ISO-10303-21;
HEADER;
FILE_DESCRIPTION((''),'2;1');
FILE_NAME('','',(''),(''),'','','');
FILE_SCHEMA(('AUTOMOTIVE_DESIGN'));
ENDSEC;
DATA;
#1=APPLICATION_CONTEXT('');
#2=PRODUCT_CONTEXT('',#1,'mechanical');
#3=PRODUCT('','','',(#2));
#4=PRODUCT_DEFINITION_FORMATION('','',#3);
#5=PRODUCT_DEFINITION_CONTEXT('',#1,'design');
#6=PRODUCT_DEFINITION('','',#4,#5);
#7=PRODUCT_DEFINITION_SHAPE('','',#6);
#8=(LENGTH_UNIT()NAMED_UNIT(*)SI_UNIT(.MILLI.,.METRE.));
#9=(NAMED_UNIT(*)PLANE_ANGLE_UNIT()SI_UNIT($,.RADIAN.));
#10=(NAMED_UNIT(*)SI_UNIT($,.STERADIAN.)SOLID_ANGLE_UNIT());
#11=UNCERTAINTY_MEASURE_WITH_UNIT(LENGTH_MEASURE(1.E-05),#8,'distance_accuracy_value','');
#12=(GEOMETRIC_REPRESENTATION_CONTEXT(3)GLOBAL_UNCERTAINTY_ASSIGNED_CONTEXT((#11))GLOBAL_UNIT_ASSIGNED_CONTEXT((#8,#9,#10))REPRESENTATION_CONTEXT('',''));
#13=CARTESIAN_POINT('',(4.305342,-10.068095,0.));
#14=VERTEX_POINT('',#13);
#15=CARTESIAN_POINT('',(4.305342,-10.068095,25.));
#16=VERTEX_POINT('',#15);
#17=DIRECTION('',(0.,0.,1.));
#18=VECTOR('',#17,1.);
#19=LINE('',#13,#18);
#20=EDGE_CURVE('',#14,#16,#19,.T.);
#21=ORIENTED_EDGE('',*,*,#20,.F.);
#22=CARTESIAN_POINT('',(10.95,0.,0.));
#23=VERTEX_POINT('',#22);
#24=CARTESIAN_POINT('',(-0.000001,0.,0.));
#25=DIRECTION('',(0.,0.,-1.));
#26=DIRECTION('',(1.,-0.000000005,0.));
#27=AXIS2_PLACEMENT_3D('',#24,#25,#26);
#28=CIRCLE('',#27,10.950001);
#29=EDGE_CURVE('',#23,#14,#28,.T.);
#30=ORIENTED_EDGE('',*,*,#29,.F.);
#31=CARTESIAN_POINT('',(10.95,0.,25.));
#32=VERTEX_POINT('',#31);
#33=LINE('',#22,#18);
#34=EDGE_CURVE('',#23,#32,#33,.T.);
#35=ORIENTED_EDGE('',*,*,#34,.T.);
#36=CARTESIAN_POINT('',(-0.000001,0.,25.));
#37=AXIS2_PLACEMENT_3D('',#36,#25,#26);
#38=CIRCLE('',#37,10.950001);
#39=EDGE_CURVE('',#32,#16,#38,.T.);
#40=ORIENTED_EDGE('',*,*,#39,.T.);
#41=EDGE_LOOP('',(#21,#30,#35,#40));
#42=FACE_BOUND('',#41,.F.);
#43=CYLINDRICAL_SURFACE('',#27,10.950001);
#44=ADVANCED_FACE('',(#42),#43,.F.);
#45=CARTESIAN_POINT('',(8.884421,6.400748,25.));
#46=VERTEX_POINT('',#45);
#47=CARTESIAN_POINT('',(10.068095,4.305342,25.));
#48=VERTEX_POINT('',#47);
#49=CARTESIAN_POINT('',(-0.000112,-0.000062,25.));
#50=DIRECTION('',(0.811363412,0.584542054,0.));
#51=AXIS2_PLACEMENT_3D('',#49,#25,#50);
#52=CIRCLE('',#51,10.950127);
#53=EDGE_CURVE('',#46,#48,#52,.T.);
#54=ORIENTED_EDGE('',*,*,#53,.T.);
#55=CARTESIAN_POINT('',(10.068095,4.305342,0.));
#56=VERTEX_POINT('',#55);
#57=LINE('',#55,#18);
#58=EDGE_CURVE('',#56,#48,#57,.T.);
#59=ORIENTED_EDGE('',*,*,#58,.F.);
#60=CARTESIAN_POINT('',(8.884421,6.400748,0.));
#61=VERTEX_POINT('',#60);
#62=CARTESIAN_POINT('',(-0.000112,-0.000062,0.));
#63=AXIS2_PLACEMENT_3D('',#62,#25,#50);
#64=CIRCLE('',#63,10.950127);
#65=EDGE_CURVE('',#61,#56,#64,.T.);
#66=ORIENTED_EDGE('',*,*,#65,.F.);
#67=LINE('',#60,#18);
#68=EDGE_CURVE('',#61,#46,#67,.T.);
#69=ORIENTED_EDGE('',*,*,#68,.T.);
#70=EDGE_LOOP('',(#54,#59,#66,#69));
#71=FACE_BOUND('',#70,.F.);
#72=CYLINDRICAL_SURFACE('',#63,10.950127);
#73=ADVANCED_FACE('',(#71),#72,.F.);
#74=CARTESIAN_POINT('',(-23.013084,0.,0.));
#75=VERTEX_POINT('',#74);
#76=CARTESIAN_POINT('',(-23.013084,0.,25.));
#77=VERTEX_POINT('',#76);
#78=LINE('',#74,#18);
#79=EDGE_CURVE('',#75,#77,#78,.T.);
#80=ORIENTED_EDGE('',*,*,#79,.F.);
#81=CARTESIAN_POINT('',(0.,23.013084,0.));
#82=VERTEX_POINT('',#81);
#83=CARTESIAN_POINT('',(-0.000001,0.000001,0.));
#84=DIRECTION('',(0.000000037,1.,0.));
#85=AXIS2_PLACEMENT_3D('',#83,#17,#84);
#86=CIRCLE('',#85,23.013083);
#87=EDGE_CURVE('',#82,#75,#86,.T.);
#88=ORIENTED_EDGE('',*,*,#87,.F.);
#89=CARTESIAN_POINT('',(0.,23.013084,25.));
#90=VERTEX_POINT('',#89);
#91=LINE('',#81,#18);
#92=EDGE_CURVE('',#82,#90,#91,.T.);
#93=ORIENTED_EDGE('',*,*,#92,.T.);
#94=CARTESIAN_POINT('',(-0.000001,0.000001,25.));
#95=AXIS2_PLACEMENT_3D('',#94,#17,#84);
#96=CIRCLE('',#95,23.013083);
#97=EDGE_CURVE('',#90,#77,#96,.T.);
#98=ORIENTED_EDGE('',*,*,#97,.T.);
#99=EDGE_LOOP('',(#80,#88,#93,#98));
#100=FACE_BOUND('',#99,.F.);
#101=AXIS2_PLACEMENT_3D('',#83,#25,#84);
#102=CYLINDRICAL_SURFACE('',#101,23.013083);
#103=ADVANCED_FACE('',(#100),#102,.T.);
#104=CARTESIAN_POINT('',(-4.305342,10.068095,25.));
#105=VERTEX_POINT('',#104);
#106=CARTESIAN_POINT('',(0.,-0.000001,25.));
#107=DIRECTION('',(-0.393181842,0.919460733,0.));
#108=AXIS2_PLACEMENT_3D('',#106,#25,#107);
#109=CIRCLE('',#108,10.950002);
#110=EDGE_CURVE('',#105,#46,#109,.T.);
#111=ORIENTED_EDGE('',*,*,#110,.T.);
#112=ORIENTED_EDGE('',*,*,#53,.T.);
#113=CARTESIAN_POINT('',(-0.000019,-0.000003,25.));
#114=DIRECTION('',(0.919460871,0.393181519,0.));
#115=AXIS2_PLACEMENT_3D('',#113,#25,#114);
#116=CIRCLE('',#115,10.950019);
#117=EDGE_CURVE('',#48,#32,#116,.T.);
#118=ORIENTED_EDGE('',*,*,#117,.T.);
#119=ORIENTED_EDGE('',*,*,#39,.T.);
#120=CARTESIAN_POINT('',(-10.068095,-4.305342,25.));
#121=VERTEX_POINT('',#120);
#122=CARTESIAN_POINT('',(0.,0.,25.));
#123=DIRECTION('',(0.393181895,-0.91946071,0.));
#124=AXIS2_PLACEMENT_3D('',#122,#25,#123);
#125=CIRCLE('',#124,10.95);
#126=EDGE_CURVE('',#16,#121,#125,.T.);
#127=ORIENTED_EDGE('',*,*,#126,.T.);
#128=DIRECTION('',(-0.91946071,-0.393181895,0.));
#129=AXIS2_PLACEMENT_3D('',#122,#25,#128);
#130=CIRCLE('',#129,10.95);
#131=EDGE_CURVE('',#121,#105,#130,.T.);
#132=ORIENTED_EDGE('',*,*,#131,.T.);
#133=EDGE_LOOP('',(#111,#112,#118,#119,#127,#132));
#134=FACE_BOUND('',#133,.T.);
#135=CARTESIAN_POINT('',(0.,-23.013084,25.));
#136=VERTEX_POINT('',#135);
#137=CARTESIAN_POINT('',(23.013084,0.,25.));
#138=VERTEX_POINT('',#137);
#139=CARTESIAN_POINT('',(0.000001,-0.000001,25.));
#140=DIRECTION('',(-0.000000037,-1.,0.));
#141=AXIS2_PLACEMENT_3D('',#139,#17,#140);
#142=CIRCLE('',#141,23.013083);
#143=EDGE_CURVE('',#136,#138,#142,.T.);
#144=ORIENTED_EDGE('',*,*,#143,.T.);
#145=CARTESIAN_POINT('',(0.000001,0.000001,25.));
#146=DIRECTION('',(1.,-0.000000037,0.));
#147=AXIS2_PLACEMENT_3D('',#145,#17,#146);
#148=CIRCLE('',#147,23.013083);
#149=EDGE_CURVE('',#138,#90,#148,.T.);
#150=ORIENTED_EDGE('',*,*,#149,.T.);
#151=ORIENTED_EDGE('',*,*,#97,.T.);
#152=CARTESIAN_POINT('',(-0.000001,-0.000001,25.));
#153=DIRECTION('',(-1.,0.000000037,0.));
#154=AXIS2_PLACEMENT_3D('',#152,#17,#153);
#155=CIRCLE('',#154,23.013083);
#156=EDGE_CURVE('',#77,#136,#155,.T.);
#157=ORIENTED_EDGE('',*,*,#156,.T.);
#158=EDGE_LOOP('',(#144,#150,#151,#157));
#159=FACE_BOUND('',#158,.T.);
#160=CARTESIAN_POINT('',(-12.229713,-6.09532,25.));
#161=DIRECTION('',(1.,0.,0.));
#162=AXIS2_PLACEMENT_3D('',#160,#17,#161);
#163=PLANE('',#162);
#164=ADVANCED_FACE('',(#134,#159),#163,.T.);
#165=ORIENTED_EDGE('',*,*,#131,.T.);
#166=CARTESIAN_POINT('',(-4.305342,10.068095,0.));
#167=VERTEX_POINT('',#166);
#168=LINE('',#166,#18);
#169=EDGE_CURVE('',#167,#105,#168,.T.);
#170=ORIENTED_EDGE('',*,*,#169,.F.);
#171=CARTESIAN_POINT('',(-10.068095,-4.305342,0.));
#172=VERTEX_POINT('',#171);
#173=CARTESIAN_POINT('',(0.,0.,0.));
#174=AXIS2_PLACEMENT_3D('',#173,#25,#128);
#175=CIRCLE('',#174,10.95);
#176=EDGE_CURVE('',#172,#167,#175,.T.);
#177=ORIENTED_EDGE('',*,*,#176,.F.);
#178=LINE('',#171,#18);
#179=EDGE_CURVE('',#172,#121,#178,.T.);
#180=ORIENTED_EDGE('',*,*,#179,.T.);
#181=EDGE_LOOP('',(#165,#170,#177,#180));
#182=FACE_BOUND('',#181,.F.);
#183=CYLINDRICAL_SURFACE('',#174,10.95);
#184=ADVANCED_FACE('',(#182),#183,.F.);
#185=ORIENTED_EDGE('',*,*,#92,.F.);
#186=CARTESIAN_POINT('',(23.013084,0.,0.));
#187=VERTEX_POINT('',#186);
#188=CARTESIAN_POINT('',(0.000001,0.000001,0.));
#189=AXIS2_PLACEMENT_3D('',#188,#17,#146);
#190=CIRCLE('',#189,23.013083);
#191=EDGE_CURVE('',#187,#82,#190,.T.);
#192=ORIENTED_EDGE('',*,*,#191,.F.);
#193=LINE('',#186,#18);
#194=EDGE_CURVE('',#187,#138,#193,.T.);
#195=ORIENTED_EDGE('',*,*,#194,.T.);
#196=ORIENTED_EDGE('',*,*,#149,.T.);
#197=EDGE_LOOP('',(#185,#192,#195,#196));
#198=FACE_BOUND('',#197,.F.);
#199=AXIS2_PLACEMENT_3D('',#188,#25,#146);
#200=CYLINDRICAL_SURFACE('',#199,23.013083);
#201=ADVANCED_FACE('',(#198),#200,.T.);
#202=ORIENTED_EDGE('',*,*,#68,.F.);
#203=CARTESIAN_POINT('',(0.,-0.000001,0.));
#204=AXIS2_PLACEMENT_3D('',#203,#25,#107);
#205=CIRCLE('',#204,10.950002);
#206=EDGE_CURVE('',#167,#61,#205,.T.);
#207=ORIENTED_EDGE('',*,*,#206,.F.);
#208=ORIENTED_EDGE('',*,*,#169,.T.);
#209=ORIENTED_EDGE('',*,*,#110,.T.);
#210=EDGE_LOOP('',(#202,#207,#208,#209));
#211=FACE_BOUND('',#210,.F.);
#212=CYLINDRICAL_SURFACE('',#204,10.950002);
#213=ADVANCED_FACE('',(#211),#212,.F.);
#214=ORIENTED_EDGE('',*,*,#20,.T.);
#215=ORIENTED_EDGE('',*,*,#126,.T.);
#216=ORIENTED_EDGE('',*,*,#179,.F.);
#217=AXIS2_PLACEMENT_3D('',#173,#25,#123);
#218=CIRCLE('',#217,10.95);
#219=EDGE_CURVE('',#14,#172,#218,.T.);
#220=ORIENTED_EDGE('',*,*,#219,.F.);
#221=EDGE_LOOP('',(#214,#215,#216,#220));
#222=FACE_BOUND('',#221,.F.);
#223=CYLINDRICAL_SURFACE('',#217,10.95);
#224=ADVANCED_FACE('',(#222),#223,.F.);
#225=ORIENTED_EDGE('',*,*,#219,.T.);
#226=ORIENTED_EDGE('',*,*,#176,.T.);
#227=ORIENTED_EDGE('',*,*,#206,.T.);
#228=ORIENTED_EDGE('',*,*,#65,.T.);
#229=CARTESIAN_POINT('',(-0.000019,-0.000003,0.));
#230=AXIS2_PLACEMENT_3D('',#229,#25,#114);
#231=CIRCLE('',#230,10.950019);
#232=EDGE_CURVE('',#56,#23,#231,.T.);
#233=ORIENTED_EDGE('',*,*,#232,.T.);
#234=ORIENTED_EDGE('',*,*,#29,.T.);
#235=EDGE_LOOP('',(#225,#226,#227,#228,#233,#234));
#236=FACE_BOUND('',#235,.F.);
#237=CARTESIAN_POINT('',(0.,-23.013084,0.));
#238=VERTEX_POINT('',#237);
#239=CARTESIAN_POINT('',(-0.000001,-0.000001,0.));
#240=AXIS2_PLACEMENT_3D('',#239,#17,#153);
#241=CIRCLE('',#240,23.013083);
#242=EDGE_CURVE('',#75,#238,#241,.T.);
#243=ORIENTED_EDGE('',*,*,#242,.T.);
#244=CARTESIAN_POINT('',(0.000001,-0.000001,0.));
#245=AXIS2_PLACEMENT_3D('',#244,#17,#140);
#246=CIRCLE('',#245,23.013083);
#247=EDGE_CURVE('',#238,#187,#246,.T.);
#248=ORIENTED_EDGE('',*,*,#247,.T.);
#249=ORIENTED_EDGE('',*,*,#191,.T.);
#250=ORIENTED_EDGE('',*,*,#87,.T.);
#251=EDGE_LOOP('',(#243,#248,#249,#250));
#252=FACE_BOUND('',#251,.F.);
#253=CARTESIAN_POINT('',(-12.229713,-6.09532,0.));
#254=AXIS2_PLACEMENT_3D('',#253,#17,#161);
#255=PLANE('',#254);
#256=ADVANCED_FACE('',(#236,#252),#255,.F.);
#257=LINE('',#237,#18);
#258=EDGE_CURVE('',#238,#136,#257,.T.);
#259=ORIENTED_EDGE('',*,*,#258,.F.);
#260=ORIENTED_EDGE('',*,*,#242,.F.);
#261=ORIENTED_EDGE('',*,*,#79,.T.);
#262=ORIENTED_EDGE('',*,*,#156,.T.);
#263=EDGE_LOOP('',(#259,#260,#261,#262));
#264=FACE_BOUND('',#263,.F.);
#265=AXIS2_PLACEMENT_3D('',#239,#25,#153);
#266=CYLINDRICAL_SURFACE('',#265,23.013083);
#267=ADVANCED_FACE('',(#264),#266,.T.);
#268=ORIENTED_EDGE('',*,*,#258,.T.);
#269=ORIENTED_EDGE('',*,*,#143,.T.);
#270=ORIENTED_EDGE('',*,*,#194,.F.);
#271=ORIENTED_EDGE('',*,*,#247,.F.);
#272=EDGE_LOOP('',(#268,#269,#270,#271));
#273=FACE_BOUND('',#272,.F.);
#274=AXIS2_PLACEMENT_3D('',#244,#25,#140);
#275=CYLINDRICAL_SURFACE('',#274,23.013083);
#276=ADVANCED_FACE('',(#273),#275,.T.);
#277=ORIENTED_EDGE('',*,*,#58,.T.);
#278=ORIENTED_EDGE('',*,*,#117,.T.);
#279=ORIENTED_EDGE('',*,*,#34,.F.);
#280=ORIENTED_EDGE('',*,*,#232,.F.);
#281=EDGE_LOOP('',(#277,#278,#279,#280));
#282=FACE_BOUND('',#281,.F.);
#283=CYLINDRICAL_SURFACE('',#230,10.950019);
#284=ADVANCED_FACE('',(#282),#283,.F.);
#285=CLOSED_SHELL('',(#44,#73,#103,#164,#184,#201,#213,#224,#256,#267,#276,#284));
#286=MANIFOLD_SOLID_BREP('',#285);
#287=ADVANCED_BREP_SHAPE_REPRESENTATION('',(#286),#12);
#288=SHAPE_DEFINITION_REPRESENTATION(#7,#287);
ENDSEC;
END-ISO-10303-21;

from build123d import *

# Parameters (mm, degrees)
F1_DEPTH = 25


with BuildPart() as f1:
    # F0 (on Top) → F1 (new body)
    with BuildSketch(Plane.XY):
        with BuildLine():
            ThreePointArc((0, -23.013084), (-10.622454, -16.666771), (-10.068095, -4.305342))
            ThreePointArc((-10.068095, -4.305342), (-10.163555, 4.074881), (-4.305342, 10.068095))
            ThreePointArc((-4.305342, 10.068095), (-16.666771, 10.622454), (-23.013084, 0))
            ThreePointArc((-23.013084, 0), (-16.272708, -16.272708), (0, -23.013084))
        make_face()
        with BuildLine():
            ThreePointArc((8.884421, 6.400748), (9.533999, 5.385662), (10.068095, 4.305342))
            ThreePointArc((10.068095, 4.305342), (10.622454, 16.666771), (0, 23.013084))
            ThreePointArc((0, 23.013084), (-16.272708, 16.272708), (-23.013084, 0))
            ThreePointArc((-23.013084, 0), (-16.666771, 10.622454), (-4.305342, 10.068095))
            ThreePointArc((-4.305342, 10.068095), (2.933317, 10.549794), (8.884421, 6.400748))
        make_face()
        with BuildLine():
            ThreePointArc((23.013084, 0), (16.666771, -10.622454), (4.305342, -10.068095))
            ThreePointArc((4.305342, -10.068095), (-4.074881, -10.163555), (-10.068095, -4.305342))
            ThreePointArc((-10.068095, -4.305342), (-10.622454, -16.666771), (0, -23.013084))
            ThreePointArc((0, -23.013084), (16.272708, -16.272708), (23.013084, 0))
        make_face()
        with BuildLine():
            ThreePointArc((10.068095, 4.305342), (10.727258, 2.197369), (10.95, 0))
            ThreePointArc((10.95, 0), (9.139092, -6.031542), (4.305342, -10.068095))
            ThreePointArc((4.305342, -10.068095), (16.666771, -10.622454), (23.013084, 0))
            ThreePointArc((23.013084, 0), (16.272708, 16.272708), (0, 23.013084))
            ThreePointArc((0, 23.013084), (10.622454, 16.666771), (10.068095, 4.305342))
        make_face()
    extrude(amount=F1_DEPTH)


solid = f1.part
